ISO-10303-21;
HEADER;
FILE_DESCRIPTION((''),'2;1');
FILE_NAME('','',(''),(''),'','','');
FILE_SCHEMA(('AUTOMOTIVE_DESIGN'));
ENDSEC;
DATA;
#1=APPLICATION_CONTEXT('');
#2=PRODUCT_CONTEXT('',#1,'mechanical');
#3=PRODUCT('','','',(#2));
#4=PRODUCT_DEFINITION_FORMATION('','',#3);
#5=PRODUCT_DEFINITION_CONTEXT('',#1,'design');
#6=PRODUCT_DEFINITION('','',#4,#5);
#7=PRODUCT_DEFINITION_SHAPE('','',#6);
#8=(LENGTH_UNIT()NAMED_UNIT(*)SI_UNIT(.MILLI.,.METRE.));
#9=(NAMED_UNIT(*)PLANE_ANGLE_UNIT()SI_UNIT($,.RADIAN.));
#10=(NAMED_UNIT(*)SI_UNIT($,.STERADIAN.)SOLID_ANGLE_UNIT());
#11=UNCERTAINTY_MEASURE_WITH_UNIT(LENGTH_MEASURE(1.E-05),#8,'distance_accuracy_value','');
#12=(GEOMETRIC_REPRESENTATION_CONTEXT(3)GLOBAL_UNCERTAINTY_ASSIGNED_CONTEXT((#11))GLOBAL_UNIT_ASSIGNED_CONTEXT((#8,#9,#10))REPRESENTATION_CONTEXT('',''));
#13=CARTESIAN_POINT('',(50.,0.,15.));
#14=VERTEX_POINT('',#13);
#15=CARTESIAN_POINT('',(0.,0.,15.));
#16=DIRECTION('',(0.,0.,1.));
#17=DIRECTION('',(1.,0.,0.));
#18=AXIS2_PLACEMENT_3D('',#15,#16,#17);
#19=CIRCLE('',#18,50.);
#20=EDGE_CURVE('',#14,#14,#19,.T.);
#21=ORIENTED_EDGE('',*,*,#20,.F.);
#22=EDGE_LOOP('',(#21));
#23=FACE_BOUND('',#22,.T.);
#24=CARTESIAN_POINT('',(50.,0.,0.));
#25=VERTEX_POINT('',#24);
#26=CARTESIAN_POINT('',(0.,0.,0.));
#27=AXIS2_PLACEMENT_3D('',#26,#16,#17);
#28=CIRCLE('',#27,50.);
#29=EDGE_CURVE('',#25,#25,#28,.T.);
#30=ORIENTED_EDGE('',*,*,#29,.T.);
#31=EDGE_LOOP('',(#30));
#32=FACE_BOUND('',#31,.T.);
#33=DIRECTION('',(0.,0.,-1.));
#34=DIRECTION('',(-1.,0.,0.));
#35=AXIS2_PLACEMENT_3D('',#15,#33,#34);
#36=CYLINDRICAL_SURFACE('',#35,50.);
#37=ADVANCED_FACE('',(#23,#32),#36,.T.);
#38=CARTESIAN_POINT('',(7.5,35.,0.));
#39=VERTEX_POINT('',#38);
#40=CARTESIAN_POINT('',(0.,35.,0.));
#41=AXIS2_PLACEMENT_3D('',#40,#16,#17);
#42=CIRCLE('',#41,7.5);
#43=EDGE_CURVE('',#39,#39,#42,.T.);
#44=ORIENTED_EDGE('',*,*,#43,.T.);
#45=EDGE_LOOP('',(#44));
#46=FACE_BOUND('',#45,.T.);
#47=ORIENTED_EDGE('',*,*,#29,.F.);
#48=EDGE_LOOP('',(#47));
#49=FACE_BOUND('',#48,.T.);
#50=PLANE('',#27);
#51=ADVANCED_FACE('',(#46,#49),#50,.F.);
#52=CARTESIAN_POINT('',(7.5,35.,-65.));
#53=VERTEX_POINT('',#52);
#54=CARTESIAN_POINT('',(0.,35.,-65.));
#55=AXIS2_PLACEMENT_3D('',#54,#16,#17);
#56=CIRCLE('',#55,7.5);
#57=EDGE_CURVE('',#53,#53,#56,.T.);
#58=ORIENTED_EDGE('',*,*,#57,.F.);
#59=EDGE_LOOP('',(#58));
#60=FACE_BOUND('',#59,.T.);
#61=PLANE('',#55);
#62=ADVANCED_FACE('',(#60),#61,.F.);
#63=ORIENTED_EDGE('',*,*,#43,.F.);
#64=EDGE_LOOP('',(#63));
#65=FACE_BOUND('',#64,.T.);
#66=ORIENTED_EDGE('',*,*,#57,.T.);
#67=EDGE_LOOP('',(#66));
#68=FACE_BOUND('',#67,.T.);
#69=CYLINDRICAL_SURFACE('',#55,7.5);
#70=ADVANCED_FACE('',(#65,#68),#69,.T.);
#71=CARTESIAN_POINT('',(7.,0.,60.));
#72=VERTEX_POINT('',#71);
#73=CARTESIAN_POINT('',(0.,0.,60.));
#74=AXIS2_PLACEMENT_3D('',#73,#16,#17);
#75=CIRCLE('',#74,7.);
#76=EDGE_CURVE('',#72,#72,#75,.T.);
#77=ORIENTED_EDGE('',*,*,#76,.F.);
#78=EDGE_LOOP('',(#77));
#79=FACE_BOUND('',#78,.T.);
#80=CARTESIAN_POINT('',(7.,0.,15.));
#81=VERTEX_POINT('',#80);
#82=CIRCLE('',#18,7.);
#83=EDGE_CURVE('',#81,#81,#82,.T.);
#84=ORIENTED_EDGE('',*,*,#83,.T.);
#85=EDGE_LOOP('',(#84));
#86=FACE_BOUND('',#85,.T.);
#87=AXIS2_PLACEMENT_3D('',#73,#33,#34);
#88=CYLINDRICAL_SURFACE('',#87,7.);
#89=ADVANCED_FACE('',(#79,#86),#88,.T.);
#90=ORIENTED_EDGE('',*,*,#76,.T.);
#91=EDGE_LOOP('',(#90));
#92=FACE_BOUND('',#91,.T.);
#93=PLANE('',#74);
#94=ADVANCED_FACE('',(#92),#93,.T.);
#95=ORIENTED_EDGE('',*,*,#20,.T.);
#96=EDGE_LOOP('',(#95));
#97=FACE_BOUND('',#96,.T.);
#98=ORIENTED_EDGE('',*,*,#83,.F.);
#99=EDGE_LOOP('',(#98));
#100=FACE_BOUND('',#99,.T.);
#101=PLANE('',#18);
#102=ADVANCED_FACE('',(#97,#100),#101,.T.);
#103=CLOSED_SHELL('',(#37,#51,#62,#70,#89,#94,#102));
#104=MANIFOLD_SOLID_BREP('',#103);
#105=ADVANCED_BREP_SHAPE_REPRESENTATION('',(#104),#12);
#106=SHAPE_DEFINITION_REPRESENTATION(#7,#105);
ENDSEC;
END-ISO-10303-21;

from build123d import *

# Parameters (mm, degrees)
SKETCH1_R           = 50
SKETCH1_R_2         = 7.5
BOSS_EXTRUDE1_DEPTH = 15
SKETCH2_R           = 7.5
BOSS_EXTRUDE2_DEPTH = 80
SKETCH5_R           = 7
BOSS_EXTRUDE3_DEPTH = 45


with BuildPart() as part:
    # Sketch1 → Boss-Extrude1 (new body)
    with BuildSketch(Plane.XY):
        Circle(SKETCH1_R)
        with Locations((0, 35)):
            Circle(SKETCH1_R_2, mode=Mode.SUBTRACT)
    extrude(amount=BOSS_EXTRUDE1_DEPTH)

    # Sketch2 → Boss-Extrude2 (add)
    with BuildSketch(Plane.XY.offset(15)):
        with Locations((0, 35)):
            Circle(SKETCH2_R)
    extrude(amount=-BOSS_EXTRUDE2_DEPTH)

    # Sketch5 → Boss-Extrude3 (add)
    with BuildSketch(Plane.XY.offset(15)):
        Circle(SKETCH5_R)
    extrude(amount=BOSS_EXTRUDE3_DEPTH)


solid = part.part
